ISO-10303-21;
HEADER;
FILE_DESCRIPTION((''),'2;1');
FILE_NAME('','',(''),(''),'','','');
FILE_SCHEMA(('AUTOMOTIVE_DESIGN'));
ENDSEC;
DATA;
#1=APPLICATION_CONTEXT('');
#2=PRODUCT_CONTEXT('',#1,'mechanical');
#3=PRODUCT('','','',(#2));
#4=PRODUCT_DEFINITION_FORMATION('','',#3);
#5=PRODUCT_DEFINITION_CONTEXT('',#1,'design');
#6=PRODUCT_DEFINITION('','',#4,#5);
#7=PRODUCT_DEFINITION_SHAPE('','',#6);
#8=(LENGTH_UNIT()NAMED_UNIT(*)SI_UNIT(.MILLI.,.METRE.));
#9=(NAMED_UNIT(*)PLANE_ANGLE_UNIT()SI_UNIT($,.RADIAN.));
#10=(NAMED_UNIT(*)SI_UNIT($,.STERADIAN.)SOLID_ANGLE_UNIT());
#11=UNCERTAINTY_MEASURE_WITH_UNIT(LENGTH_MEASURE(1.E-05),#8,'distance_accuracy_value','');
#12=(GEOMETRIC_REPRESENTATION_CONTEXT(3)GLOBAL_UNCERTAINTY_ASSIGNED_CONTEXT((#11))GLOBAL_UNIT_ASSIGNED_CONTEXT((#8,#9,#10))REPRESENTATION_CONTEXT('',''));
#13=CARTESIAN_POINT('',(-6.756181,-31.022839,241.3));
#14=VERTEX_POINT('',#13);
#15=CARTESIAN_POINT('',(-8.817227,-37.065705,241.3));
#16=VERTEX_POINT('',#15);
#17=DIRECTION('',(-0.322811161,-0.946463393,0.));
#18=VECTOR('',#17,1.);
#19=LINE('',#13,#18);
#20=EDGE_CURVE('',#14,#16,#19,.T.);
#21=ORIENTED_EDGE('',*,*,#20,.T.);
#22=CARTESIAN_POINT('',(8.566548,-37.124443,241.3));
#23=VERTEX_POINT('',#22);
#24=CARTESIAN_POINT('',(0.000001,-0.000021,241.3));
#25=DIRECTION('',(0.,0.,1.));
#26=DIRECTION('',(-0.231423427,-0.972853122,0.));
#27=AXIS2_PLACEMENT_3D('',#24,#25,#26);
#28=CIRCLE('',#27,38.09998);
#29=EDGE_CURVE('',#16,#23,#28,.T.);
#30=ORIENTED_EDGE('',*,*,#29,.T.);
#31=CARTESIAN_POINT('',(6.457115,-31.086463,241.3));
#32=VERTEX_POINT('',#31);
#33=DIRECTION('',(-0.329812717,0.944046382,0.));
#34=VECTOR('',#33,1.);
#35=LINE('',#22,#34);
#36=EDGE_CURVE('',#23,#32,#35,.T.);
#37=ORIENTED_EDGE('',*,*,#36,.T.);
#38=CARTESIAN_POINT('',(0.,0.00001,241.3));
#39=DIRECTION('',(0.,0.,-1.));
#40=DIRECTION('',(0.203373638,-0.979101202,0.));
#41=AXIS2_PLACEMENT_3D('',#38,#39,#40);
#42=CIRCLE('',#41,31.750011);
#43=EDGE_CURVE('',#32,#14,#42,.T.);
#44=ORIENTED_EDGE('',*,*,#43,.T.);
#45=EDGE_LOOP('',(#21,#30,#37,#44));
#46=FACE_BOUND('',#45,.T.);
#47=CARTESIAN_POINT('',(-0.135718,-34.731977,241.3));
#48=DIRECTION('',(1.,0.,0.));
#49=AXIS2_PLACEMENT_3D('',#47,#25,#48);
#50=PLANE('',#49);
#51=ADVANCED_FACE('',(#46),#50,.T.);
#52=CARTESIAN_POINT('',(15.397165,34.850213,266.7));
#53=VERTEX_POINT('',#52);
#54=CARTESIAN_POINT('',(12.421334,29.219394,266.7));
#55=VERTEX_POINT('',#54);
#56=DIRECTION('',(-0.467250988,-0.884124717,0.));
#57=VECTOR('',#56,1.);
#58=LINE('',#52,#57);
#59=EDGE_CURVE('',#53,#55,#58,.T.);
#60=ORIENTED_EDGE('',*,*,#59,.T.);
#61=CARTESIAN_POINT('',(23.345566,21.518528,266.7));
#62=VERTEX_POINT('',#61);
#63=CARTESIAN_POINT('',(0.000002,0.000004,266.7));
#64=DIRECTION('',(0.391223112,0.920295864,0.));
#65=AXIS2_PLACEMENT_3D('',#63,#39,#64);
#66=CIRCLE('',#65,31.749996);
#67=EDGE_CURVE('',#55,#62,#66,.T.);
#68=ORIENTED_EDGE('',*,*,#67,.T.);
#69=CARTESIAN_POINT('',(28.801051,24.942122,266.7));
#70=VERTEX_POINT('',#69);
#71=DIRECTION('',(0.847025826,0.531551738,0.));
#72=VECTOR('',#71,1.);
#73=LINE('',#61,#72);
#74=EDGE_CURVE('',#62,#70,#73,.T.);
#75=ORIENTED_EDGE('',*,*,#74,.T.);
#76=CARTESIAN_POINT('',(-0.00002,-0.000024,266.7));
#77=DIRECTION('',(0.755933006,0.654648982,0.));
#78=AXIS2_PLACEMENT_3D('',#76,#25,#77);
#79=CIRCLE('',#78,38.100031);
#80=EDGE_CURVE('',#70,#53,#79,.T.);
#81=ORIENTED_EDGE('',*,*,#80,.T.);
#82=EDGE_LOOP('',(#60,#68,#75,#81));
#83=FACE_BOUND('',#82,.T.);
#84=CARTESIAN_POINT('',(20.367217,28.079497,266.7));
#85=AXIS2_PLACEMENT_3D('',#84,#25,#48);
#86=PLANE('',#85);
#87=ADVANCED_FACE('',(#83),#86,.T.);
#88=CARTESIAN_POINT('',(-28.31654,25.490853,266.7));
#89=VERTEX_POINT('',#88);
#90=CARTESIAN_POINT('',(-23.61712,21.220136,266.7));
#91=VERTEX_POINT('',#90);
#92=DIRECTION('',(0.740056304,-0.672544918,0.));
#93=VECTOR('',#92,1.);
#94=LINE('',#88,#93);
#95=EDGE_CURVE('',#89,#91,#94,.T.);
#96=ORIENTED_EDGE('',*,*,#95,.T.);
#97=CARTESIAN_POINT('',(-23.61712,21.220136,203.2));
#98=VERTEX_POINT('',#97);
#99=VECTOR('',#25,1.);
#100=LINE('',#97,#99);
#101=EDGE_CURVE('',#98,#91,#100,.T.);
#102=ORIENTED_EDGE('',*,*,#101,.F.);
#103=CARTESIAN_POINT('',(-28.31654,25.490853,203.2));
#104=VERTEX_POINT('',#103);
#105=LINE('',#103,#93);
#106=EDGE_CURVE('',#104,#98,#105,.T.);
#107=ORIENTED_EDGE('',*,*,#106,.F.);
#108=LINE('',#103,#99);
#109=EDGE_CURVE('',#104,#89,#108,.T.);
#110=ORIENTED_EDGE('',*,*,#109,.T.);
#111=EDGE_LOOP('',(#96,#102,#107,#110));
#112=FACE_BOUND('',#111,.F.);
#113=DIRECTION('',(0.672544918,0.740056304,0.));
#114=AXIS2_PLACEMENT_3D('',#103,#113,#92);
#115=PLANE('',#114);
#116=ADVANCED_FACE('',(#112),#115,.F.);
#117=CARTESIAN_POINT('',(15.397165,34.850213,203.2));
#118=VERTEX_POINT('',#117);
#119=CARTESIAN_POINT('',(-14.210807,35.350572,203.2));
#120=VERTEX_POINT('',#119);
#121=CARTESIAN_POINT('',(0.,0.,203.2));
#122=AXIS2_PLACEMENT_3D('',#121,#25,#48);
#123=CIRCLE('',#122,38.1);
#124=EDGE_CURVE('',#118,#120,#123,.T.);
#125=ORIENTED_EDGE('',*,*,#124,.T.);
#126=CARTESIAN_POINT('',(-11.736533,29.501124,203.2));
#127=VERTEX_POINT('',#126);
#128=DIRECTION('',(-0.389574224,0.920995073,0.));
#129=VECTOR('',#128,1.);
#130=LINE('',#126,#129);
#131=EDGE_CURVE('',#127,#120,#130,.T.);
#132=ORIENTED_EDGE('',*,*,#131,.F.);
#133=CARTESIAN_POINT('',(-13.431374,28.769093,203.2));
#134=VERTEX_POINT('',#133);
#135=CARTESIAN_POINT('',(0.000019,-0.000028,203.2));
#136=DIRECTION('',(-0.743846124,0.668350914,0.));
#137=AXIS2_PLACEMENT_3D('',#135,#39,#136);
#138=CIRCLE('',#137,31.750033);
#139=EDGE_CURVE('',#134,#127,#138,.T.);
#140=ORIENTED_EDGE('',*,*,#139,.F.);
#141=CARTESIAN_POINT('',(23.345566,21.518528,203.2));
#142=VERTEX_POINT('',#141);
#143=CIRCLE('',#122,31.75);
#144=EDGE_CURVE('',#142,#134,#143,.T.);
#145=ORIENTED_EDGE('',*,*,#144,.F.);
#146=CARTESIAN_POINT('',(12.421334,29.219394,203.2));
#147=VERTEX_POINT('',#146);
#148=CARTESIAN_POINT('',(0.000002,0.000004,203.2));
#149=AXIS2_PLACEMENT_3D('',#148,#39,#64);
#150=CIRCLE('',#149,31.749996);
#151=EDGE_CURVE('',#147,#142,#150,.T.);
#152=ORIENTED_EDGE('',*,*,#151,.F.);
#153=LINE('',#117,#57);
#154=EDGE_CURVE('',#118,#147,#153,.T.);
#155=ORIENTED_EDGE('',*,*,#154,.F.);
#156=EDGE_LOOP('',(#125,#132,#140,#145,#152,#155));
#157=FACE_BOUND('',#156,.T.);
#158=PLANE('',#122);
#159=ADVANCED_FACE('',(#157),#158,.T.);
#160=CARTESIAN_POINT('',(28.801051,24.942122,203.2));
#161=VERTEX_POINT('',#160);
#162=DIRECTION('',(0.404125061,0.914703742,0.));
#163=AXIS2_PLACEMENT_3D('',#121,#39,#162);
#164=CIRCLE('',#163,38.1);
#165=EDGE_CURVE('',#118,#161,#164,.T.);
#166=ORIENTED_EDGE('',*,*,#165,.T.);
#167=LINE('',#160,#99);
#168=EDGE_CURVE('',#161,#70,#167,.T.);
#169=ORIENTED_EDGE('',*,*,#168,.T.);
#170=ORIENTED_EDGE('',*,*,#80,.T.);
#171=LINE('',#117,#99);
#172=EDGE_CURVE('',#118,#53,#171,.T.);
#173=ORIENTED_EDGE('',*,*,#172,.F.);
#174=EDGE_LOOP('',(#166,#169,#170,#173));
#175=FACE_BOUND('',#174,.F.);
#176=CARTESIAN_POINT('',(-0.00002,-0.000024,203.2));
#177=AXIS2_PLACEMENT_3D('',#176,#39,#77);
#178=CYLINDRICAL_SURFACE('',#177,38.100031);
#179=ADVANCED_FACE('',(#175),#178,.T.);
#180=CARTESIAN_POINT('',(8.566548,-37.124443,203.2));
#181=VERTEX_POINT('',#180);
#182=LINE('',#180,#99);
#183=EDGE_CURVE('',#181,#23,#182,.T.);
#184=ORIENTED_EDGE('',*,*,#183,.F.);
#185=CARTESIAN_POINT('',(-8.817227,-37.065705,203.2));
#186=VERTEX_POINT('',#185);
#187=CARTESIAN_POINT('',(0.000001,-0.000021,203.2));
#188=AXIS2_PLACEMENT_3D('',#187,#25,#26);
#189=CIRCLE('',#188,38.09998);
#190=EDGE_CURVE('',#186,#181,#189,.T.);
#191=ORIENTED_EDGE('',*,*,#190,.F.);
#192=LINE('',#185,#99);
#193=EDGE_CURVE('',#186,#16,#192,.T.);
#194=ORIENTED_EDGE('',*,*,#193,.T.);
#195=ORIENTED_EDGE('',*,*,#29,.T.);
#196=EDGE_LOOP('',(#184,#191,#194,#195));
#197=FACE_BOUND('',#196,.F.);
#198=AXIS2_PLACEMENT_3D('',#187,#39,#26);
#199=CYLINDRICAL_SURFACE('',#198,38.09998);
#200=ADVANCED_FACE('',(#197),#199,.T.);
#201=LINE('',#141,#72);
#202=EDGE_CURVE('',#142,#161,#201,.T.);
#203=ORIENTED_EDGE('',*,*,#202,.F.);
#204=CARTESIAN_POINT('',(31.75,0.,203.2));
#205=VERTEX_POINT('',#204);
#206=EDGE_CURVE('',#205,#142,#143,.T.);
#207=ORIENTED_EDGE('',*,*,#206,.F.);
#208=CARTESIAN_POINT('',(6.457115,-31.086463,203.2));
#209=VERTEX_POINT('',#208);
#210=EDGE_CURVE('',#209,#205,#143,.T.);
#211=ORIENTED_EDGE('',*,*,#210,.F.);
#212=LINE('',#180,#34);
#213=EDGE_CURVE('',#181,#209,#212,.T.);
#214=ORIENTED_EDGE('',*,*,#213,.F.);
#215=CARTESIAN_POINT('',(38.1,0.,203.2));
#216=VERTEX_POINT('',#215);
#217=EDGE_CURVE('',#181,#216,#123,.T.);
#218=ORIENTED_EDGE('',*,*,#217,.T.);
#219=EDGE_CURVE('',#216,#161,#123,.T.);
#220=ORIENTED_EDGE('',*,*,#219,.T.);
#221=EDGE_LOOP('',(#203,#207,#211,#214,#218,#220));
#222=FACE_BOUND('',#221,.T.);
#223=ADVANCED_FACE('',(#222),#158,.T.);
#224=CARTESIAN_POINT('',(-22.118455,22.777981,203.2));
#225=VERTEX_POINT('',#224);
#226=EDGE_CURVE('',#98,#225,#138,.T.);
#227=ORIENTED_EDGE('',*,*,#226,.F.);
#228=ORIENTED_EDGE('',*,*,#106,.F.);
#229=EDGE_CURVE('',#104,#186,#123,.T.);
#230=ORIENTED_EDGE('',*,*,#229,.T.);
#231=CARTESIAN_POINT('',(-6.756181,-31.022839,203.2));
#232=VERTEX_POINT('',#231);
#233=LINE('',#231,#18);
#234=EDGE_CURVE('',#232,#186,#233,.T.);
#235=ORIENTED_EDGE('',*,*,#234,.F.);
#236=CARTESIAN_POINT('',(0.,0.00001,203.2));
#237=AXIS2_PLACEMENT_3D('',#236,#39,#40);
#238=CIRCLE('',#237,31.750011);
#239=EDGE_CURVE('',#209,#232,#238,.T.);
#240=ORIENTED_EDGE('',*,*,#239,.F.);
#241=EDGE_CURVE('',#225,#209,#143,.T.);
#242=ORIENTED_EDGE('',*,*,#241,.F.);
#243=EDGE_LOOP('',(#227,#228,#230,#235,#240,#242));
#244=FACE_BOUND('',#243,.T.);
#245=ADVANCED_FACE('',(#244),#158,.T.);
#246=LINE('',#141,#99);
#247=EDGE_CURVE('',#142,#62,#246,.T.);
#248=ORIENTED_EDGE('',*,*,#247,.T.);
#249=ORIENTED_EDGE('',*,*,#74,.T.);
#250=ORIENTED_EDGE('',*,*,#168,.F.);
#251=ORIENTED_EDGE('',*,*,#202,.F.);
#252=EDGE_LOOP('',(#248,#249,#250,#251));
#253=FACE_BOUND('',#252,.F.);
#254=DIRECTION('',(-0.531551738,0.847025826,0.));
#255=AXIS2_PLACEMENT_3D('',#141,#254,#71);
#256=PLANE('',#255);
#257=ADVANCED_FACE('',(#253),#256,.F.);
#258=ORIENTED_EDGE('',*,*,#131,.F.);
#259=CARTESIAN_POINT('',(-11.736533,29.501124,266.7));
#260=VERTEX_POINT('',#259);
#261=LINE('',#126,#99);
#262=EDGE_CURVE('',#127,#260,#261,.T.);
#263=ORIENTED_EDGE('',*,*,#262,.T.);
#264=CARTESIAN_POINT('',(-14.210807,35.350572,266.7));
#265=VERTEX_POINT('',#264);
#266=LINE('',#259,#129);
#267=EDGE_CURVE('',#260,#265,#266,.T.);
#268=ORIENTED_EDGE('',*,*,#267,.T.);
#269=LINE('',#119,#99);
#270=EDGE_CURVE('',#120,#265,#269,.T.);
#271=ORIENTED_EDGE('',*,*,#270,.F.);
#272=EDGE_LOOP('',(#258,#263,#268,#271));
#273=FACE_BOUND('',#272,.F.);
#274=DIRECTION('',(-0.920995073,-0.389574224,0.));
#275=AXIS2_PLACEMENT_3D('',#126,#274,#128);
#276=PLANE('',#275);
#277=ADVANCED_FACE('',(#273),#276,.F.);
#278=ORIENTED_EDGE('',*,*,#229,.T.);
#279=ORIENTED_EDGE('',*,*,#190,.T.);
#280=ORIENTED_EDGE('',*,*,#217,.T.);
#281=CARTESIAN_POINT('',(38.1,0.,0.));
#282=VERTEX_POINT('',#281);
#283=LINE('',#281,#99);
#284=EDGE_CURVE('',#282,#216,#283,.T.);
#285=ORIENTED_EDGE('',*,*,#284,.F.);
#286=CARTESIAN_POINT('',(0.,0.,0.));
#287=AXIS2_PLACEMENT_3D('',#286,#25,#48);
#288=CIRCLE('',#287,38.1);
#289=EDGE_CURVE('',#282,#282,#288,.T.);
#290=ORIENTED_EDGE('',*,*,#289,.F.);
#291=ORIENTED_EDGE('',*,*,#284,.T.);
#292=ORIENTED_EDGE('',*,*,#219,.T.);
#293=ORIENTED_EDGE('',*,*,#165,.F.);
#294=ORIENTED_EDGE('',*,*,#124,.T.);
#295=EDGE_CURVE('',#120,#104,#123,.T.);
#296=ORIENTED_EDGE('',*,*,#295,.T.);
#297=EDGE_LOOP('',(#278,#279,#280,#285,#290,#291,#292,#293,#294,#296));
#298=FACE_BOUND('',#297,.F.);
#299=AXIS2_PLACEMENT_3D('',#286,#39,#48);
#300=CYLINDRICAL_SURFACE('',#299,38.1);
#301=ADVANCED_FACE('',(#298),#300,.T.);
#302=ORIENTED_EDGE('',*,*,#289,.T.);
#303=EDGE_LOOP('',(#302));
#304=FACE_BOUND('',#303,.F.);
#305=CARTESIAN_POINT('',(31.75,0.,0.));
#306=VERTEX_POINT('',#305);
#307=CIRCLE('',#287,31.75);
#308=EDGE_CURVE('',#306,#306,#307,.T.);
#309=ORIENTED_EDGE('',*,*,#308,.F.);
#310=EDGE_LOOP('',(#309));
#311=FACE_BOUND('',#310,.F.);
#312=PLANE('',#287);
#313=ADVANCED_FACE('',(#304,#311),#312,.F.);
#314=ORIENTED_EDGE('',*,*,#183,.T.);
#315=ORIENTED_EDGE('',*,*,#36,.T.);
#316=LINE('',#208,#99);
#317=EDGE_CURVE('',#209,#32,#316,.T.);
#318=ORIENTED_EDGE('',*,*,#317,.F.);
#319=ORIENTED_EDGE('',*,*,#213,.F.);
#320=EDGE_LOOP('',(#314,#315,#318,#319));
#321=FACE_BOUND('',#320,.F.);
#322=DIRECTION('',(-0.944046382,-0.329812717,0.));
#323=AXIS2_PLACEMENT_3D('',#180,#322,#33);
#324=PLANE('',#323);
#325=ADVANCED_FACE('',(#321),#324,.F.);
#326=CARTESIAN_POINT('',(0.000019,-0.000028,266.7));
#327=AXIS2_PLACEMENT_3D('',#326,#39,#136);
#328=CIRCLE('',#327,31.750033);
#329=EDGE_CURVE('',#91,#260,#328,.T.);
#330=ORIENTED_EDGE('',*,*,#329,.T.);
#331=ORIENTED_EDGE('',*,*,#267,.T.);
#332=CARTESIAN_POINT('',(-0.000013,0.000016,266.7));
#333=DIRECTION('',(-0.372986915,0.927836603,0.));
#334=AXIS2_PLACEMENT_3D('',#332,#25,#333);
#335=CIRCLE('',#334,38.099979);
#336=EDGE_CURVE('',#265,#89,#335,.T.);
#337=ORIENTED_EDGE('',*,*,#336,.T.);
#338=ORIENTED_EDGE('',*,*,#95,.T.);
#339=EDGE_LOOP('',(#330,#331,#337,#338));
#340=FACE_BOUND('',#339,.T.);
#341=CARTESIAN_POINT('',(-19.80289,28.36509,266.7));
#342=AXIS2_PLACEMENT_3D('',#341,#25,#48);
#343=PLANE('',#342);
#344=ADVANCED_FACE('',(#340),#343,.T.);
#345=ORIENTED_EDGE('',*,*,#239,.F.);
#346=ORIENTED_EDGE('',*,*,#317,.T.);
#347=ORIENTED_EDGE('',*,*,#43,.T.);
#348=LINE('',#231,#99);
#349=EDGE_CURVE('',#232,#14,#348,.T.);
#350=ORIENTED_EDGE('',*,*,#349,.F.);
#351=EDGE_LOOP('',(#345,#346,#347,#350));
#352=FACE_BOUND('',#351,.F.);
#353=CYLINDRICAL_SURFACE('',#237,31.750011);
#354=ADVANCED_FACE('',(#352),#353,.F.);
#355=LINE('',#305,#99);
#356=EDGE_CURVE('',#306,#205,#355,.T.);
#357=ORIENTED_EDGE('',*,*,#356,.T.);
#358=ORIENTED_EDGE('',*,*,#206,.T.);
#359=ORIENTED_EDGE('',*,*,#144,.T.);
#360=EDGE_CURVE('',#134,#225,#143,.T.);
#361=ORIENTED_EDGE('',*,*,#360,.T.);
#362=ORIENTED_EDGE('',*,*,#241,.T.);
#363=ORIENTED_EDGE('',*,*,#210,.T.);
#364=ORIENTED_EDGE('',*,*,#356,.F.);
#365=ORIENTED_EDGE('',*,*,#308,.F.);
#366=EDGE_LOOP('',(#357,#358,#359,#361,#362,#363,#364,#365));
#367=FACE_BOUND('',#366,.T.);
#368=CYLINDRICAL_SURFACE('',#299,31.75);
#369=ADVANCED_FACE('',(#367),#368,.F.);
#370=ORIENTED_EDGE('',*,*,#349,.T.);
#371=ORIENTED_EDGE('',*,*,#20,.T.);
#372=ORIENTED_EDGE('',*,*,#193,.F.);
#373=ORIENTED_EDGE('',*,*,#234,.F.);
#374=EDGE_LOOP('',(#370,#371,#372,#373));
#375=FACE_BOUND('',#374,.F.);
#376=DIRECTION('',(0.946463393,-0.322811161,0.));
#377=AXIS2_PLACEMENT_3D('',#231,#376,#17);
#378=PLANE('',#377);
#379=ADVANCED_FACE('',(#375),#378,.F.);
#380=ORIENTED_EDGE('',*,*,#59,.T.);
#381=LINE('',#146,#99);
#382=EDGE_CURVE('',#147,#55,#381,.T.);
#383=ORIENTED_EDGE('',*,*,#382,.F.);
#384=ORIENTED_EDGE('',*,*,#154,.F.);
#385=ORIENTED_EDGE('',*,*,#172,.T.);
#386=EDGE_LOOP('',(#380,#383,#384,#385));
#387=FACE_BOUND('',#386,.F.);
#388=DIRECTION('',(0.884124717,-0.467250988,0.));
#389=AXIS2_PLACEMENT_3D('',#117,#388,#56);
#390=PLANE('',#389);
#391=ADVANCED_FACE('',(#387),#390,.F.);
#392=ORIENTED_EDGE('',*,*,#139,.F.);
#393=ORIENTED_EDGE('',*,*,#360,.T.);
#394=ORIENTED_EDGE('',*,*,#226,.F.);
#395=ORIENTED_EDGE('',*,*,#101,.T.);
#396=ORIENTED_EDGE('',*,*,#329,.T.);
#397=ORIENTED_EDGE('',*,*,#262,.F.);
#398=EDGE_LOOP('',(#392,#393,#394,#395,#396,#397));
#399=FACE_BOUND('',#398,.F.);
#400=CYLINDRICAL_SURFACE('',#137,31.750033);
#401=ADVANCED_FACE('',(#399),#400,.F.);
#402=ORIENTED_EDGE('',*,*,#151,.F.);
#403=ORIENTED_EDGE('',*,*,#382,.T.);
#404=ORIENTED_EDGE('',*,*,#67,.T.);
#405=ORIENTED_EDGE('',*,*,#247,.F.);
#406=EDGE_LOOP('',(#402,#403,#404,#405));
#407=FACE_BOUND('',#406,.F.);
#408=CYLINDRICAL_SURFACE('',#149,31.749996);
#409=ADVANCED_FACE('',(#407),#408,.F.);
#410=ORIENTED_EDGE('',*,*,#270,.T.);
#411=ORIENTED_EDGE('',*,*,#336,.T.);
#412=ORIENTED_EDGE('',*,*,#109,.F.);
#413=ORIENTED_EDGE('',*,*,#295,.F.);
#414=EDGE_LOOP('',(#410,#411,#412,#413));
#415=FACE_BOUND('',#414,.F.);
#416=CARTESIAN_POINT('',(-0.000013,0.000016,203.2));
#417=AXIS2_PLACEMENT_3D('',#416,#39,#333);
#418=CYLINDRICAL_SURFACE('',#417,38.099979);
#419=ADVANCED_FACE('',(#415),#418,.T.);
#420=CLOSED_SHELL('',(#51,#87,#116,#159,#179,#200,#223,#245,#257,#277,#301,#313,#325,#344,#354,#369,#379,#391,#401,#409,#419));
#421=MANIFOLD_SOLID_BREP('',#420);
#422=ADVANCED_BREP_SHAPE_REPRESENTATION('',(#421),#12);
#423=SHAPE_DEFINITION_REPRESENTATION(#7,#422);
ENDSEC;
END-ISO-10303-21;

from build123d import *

# Parameters (mm, degrees)
F0_R     = 38.1
F0_R_2   = 31.75
F1_DEPTH = 203.2
F3_DEPTH = 63.5
F4_DEPTH = 38.1


with BuildPart() as f1:
    # F0 (on Top) → F1 (new body)
    with BuildSketch(Plane.XY):
        Circle(F0_R)
        Circle(F0_R_2, mode=Mode.SUBTRACT)
    extrude(amount=F1_DEPTH)

    # F2 (on face) → F3 (join)
    with BuildSketch(Plane.XY.offset(203.2)):
        with BuildLine():
            Line((-28.31654, 25.490853), (-23.61712, 21.220136))
            ThreePointArc((-23.61712, 21.220136), (-18.155271, 26.047046), (-11.736533, 29.501124))
            Line((-11.736533, 29.501124), (-14.210807, 35.350572))
            ThreePointArc((-14.210807, 35.350572), (-21.827674, 31.227595), (-28.31654, 25.490853))
        make_face()
        with BuildLine():
            Line((15.397165, 34.850213), (12.421334, 29.219394))
            ThreePointArc((12.421334, 29.219394), (18.293267, 25.950316), (23.345566, 21.518528))
            Line((23.345566, 21.518528), (28.801051, 24.942122))
            ThreePointArc((28.801051, 24.942122), (22.647585, 30.63816), (15.397165, 34.850213))
        make_face()
    extrude(amount=F3_DEPTH)

    # F2 (on face) → F4 (join)
    with BuildSketch(Plane.XY.offset(203.2)):
        with BuildLine():
            ThreePointArc((6.457115, -31.086463), (-0.152879, -31.749632), (-6.756181, -31.022839))
            Line((-6.756181, -31.022839), (-8.817227, -37.065705))
            ThreePointArc((-8.817227, -37.065705), (-0.128735, -38.099783), (8.566548, -37.124443))
            Line((8.566548, -37.124443), (6.457115, -31.086463))
        make_face()
    extrude(amount=F4_DEPTH)


solid = f1.part
